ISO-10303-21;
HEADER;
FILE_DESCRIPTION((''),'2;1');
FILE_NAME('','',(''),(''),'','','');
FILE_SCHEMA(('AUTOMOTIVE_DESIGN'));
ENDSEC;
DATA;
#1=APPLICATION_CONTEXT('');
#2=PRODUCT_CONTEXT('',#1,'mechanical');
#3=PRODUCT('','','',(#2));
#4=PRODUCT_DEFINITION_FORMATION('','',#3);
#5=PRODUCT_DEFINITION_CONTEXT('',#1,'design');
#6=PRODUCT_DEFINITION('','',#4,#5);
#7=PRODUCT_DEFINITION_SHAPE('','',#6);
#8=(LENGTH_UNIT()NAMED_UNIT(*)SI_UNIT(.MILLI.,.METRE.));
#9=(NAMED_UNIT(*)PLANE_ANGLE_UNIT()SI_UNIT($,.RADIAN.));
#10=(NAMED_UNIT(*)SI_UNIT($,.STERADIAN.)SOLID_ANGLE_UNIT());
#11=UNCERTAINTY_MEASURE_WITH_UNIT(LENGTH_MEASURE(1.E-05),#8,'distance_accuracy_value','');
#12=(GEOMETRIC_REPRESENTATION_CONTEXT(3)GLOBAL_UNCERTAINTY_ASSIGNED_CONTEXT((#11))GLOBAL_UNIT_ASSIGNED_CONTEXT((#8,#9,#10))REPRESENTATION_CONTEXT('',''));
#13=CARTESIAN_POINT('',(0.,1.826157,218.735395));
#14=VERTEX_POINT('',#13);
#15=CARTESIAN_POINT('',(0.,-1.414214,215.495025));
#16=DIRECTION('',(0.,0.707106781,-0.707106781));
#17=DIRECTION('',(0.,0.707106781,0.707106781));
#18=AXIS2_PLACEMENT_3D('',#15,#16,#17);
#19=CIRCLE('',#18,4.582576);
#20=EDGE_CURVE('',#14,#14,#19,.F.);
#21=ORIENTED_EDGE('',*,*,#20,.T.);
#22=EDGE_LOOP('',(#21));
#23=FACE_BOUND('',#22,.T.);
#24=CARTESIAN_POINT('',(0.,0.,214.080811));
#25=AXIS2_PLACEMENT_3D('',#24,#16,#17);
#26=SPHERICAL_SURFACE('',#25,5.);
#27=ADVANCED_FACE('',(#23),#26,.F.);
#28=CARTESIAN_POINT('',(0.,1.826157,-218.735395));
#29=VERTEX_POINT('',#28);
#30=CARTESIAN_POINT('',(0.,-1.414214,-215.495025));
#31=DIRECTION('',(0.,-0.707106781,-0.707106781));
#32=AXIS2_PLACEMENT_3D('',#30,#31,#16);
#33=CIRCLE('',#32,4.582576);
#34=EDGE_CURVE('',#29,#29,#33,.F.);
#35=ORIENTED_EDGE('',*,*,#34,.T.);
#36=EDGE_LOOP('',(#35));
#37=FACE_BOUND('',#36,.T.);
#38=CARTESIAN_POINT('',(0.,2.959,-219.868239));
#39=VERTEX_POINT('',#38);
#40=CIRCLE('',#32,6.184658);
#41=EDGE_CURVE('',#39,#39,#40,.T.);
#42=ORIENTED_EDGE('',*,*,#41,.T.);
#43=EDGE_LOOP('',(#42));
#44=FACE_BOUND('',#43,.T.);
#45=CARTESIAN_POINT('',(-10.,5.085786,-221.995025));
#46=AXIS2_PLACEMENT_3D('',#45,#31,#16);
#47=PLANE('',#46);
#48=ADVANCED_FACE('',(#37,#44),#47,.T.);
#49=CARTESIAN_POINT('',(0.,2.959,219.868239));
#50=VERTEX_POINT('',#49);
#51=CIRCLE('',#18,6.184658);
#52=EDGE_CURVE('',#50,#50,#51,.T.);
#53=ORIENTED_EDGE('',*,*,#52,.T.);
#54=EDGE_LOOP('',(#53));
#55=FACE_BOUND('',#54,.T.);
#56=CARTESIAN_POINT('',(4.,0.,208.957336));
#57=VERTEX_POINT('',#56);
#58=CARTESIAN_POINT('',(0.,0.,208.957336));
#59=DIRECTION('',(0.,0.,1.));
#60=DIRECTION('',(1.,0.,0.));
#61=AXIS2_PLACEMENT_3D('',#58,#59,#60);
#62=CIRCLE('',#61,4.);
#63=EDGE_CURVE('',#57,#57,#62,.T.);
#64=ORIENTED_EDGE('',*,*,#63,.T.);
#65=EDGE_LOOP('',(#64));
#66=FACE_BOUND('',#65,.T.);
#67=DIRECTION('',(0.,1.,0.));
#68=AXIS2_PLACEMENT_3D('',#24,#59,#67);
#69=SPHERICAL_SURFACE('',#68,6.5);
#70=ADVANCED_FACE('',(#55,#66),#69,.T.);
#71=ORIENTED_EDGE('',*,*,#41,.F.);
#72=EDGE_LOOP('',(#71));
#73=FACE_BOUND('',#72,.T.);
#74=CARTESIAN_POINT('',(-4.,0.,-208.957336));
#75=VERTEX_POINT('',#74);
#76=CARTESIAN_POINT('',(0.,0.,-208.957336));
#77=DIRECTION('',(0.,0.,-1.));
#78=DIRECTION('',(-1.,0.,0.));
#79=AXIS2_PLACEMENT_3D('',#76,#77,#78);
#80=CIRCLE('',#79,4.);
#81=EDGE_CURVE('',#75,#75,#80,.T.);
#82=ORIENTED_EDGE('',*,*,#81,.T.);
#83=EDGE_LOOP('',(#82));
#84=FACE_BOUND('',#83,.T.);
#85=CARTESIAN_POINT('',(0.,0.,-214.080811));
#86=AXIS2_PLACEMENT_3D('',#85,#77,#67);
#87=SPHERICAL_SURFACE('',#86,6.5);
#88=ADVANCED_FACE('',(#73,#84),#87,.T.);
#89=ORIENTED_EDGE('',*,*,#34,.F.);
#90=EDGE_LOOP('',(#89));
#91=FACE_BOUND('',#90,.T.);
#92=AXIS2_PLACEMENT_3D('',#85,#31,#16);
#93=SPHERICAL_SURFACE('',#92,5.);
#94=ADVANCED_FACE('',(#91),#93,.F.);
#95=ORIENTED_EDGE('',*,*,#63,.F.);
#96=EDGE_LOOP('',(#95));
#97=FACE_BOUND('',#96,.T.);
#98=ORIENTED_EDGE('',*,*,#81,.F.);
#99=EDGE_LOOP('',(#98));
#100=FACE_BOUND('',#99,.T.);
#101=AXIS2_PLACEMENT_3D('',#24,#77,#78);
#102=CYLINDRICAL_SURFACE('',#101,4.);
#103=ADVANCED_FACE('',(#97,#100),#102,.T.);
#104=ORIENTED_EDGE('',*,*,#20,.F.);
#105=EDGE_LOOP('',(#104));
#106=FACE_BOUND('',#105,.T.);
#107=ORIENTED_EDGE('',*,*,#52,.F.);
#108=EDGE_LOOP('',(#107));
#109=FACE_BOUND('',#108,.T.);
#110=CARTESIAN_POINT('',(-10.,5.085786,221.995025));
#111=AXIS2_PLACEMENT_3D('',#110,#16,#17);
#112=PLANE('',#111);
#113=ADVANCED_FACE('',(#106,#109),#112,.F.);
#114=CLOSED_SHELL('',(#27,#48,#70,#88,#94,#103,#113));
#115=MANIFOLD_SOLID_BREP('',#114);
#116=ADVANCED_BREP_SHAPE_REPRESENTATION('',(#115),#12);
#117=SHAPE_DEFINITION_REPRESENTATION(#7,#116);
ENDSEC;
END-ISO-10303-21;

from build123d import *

# Parameters (mm, degrees)
SKETCH1_R                = 4
BOSS_EXTRUDE1_DEPTH      = 214.080811
BOSS_EXTRUDE1_DEPTH_BACK = 214.080811
CUT_EXTRUDE1_START       = -10.192388155
SKETCH5_W                = 20
SKETCH5_H                = 5
CUT_EXTRUDE1_DEPTH       = 318.544568669


with BuildPart() as part:
    # Sketch1 → Boss-Extrude1 (new body, two sides)
    with BuildSketch(Plane.XY) as boss_extrude1_sk:
        Circle(SKETCH1_R)
    extrude(amount=BOSS_EXTRUDE1_DEPTH)
    extrude(boss_extrude1_sk.sketch, amount=-BOSS_EXTRUDE1_DEPTH_BACK)

    # Sketch3 → Revolve1 (revolve)
    with BuildSketch(Plane(origin=(0, 0, 0), x_dir=(0, 0, -1), z_dir=(1, 0, 0))):
        with BuildLine():
            Line((-220.580811107, 0), (-207.580811107, 0))
            ThreePointArc((-207.580811107, 0), (-214.080811107, 6.5), (-220.580811107, 0))
        make_face()
    revolve1 = revolve(axis=Axis((0, 0, 220.580811107), (0, 0, -1)))

    # Sketch5 → Cut-Extrude1 (cut)
    with BuildSketch(Plane(origin=(0, 107.040405554, 107.040405554), x_dir=(1, 0, 0), z_dir=(0, -0.707106781, -0.707106781)).offset(CUT_EXTRUDE1_START)):
        with Locations((0, 155.877993256)):
            Rectangle(SKETCH5_W, SKETCH5_H)
    cut_extrude1 = extrude(amount=CUT_EXTRUDE1_DEPTH, mode=Mode.SUBTRACT)

    # Sketch6 → Cut-Revolve1 (revolve, cut)
    with BuildSketch(Plane(origin=(0, 0, 0), x_dir=(1, 0, 0), z_dir=(0, 1, 0))):
        with BuildLine():
            Line((0, -209.080811107), (0, -219.080811107))
            ThreePointArc((0, -219.080811107), (5, -214.080811107), (0, -209.080811107))
        make_face()
    cut_revolve1 = revolve(axis=Axis((0, 0, 209.080811107), (0, 0, 1)), mode=Mode.SUBTRACT)

    # Mirror2: Revolve1, Cut-Extrude1, Cut-Revolve1 across plane
    add(revolve1.mirror(Plane.XY))
    add(cut_extrude1.mirror(Plane.XY), mode=Mode.SUBTRACT)
    add(cut_revolve1.mirror(Plane.XY), mode=Mode.SUBTRACT)


solid = part.part
